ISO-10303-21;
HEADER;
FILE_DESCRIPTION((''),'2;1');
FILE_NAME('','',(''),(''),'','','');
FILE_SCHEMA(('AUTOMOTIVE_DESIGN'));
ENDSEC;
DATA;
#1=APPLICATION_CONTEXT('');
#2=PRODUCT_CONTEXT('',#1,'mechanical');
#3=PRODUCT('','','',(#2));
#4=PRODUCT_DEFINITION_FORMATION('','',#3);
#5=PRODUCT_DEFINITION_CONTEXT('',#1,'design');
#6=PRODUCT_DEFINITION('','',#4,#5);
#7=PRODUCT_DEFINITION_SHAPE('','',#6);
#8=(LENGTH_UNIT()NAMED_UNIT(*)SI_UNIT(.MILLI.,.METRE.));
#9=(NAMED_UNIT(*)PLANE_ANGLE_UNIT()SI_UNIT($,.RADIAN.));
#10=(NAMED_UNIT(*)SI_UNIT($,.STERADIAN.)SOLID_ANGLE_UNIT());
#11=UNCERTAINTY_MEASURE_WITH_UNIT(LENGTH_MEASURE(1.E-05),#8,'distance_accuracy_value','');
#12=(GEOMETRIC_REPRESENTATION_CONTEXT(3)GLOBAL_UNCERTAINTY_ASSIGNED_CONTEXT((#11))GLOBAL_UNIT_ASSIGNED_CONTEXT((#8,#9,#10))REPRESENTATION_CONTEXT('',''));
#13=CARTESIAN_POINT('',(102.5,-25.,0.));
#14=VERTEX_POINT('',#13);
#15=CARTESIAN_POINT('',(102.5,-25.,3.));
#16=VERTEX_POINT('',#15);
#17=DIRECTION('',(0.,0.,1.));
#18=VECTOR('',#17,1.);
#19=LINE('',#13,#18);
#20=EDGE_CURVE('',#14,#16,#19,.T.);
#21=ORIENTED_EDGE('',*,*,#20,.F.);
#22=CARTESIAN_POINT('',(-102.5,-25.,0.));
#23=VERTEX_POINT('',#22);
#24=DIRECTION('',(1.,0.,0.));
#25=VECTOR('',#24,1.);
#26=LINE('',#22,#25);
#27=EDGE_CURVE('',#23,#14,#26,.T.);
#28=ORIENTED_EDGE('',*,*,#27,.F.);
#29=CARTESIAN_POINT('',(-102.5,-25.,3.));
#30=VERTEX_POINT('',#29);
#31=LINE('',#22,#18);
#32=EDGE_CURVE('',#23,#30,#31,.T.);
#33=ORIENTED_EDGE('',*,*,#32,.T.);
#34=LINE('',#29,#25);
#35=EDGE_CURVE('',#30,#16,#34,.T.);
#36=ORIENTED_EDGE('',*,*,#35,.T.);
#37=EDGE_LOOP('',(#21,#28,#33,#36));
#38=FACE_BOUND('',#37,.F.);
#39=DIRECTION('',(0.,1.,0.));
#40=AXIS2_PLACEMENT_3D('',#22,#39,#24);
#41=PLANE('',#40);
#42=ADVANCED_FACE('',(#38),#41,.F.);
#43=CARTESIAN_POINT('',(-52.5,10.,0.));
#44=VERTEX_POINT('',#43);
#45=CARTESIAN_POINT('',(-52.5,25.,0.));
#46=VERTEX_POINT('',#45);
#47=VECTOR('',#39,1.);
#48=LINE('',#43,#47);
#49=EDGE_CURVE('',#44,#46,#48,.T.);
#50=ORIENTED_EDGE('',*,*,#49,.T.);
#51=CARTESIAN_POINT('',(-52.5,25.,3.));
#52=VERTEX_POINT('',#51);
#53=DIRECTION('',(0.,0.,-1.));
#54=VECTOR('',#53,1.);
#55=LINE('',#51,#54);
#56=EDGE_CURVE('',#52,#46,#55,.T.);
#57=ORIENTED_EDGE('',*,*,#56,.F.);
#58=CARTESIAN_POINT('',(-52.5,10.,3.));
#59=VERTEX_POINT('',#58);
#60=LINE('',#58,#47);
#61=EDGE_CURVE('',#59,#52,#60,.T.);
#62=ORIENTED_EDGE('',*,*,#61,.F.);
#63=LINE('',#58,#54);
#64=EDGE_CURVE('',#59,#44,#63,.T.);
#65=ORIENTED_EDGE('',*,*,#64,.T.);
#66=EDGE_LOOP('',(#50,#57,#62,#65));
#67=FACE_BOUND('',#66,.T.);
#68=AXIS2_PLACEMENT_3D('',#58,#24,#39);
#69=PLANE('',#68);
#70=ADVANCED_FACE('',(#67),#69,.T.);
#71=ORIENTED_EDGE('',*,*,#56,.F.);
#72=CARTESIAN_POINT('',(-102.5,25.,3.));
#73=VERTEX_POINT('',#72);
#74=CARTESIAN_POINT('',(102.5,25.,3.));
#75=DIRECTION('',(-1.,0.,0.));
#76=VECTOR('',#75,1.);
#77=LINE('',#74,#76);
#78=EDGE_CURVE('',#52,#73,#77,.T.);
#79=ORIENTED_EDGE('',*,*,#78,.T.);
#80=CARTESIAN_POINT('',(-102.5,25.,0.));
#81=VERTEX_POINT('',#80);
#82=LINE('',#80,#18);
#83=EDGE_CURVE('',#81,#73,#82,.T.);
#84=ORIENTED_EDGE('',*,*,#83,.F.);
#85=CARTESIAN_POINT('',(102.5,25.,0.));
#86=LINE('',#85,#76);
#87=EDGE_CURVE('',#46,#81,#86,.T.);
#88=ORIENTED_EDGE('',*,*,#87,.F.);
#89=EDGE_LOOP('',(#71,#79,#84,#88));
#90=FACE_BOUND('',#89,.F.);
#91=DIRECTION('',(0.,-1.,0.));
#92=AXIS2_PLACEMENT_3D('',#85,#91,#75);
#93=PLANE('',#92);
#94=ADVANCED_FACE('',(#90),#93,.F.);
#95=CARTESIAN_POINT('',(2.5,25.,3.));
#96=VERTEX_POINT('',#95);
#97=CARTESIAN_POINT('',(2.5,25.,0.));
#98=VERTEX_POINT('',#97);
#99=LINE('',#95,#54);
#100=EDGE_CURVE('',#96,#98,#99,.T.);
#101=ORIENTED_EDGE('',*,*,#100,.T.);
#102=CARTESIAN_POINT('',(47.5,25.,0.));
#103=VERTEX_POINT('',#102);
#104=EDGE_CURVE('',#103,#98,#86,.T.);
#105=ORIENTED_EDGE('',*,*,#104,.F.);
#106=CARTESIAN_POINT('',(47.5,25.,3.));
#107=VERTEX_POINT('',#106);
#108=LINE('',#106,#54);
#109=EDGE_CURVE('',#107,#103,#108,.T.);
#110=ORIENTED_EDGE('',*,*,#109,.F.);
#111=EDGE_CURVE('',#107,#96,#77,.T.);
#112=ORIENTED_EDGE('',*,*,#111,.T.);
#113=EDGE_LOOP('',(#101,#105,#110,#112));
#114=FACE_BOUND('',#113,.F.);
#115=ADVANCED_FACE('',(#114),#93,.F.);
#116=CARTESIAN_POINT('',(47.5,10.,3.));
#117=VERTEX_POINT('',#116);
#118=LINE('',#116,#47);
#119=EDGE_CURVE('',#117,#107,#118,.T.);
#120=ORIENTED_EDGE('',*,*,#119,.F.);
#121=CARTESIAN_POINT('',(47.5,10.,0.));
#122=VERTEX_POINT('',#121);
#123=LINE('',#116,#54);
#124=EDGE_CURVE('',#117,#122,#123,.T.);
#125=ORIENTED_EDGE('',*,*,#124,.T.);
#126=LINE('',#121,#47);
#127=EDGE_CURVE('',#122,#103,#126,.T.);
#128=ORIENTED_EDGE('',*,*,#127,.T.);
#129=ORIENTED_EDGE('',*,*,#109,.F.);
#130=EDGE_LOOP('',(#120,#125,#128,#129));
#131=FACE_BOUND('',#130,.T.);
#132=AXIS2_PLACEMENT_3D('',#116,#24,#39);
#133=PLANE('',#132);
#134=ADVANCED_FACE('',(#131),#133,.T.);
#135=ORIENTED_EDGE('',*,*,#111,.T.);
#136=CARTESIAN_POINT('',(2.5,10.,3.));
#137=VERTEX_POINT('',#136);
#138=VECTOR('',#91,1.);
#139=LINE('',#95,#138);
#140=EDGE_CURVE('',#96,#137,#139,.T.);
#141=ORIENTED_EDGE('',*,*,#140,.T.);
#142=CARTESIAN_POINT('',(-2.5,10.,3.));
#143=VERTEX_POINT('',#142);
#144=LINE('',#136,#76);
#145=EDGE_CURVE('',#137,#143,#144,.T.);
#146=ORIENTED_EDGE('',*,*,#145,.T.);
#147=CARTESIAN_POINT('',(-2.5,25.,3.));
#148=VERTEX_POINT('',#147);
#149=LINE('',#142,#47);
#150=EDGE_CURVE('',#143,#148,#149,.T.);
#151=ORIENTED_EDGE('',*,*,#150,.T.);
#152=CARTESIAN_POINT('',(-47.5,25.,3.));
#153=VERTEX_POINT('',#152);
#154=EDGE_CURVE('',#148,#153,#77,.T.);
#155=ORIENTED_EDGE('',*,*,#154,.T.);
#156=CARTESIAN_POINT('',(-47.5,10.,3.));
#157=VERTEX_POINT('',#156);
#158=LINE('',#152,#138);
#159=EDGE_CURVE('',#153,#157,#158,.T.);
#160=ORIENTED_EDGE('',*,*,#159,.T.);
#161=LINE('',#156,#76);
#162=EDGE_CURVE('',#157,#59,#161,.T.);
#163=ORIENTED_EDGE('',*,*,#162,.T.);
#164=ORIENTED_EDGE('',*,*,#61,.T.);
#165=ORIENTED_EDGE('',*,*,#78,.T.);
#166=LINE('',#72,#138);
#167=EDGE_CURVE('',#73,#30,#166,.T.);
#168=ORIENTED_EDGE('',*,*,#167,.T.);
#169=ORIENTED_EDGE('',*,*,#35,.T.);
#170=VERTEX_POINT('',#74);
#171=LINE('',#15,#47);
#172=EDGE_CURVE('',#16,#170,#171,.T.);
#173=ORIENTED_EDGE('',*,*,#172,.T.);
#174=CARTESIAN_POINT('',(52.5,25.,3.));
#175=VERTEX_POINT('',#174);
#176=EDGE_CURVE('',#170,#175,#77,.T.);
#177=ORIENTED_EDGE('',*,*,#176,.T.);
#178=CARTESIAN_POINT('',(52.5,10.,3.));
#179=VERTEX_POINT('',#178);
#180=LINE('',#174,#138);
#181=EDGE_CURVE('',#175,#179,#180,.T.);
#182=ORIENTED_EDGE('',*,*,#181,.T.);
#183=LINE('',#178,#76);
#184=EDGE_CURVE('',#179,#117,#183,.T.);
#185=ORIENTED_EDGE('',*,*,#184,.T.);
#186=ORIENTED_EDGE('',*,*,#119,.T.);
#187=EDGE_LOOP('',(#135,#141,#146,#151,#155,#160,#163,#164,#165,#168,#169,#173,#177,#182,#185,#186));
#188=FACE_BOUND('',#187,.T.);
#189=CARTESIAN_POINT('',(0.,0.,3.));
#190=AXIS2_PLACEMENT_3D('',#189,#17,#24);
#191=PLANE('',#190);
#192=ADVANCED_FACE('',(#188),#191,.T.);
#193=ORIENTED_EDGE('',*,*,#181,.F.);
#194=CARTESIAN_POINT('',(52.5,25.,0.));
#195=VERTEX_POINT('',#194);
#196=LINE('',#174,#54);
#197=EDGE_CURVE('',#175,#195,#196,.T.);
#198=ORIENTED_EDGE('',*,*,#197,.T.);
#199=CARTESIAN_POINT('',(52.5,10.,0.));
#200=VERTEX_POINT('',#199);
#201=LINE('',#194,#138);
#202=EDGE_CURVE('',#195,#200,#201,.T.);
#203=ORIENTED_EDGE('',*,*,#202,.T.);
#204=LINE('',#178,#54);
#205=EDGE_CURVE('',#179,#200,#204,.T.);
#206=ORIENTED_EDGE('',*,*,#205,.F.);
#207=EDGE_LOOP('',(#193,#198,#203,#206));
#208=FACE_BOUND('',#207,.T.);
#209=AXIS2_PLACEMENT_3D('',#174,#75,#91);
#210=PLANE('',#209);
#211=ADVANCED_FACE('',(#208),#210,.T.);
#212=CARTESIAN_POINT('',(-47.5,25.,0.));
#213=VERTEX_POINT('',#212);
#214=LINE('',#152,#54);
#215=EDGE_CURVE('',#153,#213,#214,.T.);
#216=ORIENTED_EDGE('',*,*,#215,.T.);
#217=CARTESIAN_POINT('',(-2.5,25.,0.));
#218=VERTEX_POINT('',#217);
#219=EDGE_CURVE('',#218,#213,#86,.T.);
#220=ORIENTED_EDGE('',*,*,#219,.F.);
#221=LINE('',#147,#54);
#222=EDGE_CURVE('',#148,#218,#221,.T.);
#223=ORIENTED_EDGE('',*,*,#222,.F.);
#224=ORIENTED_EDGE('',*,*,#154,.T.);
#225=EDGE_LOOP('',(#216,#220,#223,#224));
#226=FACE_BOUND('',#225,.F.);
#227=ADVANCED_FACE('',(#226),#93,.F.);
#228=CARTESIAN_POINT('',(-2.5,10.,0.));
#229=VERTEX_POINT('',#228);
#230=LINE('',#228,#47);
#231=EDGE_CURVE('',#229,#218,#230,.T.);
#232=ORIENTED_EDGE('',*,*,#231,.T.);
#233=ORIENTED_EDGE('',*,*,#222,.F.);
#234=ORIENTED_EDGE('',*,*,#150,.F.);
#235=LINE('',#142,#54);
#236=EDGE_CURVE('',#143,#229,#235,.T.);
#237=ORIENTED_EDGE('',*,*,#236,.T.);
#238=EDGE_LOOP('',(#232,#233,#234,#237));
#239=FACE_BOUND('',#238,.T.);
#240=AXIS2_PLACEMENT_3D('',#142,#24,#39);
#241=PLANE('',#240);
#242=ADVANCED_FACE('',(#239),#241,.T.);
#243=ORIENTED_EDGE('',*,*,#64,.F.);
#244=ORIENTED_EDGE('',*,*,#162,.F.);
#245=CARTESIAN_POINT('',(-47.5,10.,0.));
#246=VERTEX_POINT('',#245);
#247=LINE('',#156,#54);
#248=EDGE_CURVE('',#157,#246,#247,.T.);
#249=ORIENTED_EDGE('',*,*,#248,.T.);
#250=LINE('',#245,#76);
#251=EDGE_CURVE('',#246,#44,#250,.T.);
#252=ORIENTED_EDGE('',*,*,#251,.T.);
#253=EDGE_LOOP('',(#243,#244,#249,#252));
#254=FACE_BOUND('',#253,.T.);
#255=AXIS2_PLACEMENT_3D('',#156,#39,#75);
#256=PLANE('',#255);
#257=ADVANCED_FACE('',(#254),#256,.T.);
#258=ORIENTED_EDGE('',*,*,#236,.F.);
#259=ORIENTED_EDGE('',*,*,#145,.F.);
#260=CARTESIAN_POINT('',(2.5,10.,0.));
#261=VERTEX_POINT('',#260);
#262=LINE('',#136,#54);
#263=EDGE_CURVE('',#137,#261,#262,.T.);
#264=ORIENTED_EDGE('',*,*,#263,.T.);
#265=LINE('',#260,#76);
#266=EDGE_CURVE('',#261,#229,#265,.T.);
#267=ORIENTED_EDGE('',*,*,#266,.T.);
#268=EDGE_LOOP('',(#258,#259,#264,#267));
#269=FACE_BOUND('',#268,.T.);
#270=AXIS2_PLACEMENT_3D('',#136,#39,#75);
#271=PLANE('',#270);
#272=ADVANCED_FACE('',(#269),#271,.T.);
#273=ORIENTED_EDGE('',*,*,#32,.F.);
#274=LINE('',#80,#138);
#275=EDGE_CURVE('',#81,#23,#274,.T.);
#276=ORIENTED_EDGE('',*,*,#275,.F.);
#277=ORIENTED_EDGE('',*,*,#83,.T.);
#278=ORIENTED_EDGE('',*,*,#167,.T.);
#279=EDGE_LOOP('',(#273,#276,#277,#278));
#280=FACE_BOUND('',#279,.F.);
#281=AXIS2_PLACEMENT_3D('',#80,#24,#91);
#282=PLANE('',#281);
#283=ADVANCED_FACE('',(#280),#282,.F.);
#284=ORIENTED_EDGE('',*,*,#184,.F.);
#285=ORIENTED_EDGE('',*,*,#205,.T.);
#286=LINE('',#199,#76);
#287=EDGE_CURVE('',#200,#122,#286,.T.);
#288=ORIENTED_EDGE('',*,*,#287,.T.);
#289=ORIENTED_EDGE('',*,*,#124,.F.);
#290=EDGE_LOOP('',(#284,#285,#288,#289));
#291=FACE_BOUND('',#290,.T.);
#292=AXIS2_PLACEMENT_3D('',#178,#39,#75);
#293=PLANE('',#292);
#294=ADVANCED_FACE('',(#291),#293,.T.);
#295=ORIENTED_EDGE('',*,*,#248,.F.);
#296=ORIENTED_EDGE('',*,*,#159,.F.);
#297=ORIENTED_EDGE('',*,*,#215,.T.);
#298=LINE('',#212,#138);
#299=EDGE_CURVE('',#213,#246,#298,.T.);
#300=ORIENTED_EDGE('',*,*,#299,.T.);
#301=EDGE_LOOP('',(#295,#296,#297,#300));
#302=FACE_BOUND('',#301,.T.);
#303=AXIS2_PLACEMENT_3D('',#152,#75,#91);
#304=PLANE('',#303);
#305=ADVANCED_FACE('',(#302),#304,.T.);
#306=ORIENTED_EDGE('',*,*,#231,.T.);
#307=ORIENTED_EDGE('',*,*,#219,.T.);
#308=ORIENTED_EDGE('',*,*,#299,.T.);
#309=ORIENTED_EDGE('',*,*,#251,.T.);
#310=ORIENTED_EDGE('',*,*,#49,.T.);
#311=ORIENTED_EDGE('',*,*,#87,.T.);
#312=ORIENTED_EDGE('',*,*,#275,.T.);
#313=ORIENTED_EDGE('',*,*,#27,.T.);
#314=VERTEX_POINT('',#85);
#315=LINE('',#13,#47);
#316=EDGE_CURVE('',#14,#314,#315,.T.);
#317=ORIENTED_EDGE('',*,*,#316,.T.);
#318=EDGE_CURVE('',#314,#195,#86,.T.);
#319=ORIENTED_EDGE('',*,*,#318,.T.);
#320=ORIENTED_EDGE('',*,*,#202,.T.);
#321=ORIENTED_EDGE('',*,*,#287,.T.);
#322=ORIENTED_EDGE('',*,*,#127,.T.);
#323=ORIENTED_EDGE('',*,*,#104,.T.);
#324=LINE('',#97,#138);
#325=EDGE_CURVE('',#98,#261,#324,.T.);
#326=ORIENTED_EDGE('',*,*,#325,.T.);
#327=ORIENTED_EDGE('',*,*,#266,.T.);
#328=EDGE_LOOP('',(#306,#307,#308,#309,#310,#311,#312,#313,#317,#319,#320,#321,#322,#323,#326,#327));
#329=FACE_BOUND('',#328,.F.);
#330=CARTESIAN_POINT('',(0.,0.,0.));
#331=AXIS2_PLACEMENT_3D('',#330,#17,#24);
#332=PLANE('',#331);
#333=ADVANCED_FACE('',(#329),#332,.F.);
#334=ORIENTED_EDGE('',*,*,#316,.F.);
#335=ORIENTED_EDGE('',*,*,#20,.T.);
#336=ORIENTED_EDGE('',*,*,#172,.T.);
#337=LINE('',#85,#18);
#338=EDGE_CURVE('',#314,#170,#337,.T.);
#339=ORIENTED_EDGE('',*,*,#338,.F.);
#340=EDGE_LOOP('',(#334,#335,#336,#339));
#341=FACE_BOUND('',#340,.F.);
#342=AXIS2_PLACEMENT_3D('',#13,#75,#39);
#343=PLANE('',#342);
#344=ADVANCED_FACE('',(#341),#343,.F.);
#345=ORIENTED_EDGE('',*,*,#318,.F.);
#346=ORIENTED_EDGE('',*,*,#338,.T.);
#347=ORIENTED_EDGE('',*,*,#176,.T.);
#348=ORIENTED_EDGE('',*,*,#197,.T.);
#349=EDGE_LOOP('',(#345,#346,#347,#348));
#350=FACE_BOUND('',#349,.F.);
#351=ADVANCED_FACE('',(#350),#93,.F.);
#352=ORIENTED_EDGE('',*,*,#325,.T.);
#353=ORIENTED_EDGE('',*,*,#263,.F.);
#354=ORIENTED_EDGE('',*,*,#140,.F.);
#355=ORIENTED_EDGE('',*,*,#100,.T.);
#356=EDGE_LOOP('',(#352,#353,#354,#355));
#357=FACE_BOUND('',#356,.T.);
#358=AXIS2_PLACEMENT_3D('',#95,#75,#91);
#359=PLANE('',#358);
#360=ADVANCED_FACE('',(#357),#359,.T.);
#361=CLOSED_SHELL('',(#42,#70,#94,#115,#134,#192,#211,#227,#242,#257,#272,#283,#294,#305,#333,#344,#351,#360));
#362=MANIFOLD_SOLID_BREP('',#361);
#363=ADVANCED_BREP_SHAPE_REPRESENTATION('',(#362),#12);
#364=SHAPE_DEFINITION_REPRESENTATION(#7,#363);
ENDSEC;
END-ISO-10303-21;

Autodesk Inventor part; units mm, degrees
ref_plane "YZ Plane" through (0, 0, 0) normal (1, 0, 0) x (0, 1, 0)
ref_plane "XZ Plane" through (0, 0, 0) normal (0, 1, 0) x (-1, 0, 0)
ref_plane "XY Plane" through (0, 0, 0) normal (0, 0, 1) x (1, 0, 0)
sketch "Sketch1" plane through (0, 0, 0) normal (0, 0, 1) x (1, 0, 0)
  line L0 (-102.5, -25) -> (102.5, -25)
  line L1 (102.5, -25) -> (102.5, 25)
  line L2 (102.5, 25) -> (-102.5, 25)
  line L3 (-102.5, 25) -> (-102.5, -25)
  line L4 (-102.5, -25) -> (102.5, 25) construction
  line L5 (102.5, -25) -> (-102.5, 25) construction
  point P0 (0, 0)
  dimension "d0" = 205
  dimension "d1" = 50
extrude "Plate1" add sketch "Sketch1" along normal blind 3
sketch "Sketch2" plane through (0, 0, 3) normal (0, 0, 1) x (1, 0, 0)
  line L0 (102.5, 25) -> (-102.5, 25) projected
  line L1 (47.5, 25) -> (52.5, 25)
  line L2 (52.5, 25) -> (52.5, 10)
  line L3 (52.5, 10) -> (47.5, 10)
  line L4 (47.5, 10) -> (47.5, 25)
  line L5 (102.5, 25) -> (102.5, -25) projected
  point P0 (0, 0)
  point P1 (52.5, 25)
  dimension "d3" = 50
  dimension "d4" = 5
  dimension "d5" = 15
extrude "Cut1" cut sketch "Sketch2" against normal blind 3
pattern_linear "Rectangular Pattern1" count 3 spacing 50 along (-1, 0, 0) of "Cut1"
equation "\"d6\" = Thickness"
equation "\"d2\" = Thickness"
equation "\"BendRadius\" = Thickness"
equation "\"BendReliefWidth\" = Thickness"
equation "\"BendReliefDepth\" = 0.5 * Thickness"
equation "\"CornerReliefSize\" = 4 * Thickness"
equation "\"MinimumRemnant\" = 2 * Thickness"
equation "\"TransitionRadius\" = BendRadius"
equation "\"JacobiRadiusSize\" = BendRadius"
equation "\"GapSize\" = Thickness"
equation "\"Thickness\" = 3"
properties part number "Sensors Shield"
